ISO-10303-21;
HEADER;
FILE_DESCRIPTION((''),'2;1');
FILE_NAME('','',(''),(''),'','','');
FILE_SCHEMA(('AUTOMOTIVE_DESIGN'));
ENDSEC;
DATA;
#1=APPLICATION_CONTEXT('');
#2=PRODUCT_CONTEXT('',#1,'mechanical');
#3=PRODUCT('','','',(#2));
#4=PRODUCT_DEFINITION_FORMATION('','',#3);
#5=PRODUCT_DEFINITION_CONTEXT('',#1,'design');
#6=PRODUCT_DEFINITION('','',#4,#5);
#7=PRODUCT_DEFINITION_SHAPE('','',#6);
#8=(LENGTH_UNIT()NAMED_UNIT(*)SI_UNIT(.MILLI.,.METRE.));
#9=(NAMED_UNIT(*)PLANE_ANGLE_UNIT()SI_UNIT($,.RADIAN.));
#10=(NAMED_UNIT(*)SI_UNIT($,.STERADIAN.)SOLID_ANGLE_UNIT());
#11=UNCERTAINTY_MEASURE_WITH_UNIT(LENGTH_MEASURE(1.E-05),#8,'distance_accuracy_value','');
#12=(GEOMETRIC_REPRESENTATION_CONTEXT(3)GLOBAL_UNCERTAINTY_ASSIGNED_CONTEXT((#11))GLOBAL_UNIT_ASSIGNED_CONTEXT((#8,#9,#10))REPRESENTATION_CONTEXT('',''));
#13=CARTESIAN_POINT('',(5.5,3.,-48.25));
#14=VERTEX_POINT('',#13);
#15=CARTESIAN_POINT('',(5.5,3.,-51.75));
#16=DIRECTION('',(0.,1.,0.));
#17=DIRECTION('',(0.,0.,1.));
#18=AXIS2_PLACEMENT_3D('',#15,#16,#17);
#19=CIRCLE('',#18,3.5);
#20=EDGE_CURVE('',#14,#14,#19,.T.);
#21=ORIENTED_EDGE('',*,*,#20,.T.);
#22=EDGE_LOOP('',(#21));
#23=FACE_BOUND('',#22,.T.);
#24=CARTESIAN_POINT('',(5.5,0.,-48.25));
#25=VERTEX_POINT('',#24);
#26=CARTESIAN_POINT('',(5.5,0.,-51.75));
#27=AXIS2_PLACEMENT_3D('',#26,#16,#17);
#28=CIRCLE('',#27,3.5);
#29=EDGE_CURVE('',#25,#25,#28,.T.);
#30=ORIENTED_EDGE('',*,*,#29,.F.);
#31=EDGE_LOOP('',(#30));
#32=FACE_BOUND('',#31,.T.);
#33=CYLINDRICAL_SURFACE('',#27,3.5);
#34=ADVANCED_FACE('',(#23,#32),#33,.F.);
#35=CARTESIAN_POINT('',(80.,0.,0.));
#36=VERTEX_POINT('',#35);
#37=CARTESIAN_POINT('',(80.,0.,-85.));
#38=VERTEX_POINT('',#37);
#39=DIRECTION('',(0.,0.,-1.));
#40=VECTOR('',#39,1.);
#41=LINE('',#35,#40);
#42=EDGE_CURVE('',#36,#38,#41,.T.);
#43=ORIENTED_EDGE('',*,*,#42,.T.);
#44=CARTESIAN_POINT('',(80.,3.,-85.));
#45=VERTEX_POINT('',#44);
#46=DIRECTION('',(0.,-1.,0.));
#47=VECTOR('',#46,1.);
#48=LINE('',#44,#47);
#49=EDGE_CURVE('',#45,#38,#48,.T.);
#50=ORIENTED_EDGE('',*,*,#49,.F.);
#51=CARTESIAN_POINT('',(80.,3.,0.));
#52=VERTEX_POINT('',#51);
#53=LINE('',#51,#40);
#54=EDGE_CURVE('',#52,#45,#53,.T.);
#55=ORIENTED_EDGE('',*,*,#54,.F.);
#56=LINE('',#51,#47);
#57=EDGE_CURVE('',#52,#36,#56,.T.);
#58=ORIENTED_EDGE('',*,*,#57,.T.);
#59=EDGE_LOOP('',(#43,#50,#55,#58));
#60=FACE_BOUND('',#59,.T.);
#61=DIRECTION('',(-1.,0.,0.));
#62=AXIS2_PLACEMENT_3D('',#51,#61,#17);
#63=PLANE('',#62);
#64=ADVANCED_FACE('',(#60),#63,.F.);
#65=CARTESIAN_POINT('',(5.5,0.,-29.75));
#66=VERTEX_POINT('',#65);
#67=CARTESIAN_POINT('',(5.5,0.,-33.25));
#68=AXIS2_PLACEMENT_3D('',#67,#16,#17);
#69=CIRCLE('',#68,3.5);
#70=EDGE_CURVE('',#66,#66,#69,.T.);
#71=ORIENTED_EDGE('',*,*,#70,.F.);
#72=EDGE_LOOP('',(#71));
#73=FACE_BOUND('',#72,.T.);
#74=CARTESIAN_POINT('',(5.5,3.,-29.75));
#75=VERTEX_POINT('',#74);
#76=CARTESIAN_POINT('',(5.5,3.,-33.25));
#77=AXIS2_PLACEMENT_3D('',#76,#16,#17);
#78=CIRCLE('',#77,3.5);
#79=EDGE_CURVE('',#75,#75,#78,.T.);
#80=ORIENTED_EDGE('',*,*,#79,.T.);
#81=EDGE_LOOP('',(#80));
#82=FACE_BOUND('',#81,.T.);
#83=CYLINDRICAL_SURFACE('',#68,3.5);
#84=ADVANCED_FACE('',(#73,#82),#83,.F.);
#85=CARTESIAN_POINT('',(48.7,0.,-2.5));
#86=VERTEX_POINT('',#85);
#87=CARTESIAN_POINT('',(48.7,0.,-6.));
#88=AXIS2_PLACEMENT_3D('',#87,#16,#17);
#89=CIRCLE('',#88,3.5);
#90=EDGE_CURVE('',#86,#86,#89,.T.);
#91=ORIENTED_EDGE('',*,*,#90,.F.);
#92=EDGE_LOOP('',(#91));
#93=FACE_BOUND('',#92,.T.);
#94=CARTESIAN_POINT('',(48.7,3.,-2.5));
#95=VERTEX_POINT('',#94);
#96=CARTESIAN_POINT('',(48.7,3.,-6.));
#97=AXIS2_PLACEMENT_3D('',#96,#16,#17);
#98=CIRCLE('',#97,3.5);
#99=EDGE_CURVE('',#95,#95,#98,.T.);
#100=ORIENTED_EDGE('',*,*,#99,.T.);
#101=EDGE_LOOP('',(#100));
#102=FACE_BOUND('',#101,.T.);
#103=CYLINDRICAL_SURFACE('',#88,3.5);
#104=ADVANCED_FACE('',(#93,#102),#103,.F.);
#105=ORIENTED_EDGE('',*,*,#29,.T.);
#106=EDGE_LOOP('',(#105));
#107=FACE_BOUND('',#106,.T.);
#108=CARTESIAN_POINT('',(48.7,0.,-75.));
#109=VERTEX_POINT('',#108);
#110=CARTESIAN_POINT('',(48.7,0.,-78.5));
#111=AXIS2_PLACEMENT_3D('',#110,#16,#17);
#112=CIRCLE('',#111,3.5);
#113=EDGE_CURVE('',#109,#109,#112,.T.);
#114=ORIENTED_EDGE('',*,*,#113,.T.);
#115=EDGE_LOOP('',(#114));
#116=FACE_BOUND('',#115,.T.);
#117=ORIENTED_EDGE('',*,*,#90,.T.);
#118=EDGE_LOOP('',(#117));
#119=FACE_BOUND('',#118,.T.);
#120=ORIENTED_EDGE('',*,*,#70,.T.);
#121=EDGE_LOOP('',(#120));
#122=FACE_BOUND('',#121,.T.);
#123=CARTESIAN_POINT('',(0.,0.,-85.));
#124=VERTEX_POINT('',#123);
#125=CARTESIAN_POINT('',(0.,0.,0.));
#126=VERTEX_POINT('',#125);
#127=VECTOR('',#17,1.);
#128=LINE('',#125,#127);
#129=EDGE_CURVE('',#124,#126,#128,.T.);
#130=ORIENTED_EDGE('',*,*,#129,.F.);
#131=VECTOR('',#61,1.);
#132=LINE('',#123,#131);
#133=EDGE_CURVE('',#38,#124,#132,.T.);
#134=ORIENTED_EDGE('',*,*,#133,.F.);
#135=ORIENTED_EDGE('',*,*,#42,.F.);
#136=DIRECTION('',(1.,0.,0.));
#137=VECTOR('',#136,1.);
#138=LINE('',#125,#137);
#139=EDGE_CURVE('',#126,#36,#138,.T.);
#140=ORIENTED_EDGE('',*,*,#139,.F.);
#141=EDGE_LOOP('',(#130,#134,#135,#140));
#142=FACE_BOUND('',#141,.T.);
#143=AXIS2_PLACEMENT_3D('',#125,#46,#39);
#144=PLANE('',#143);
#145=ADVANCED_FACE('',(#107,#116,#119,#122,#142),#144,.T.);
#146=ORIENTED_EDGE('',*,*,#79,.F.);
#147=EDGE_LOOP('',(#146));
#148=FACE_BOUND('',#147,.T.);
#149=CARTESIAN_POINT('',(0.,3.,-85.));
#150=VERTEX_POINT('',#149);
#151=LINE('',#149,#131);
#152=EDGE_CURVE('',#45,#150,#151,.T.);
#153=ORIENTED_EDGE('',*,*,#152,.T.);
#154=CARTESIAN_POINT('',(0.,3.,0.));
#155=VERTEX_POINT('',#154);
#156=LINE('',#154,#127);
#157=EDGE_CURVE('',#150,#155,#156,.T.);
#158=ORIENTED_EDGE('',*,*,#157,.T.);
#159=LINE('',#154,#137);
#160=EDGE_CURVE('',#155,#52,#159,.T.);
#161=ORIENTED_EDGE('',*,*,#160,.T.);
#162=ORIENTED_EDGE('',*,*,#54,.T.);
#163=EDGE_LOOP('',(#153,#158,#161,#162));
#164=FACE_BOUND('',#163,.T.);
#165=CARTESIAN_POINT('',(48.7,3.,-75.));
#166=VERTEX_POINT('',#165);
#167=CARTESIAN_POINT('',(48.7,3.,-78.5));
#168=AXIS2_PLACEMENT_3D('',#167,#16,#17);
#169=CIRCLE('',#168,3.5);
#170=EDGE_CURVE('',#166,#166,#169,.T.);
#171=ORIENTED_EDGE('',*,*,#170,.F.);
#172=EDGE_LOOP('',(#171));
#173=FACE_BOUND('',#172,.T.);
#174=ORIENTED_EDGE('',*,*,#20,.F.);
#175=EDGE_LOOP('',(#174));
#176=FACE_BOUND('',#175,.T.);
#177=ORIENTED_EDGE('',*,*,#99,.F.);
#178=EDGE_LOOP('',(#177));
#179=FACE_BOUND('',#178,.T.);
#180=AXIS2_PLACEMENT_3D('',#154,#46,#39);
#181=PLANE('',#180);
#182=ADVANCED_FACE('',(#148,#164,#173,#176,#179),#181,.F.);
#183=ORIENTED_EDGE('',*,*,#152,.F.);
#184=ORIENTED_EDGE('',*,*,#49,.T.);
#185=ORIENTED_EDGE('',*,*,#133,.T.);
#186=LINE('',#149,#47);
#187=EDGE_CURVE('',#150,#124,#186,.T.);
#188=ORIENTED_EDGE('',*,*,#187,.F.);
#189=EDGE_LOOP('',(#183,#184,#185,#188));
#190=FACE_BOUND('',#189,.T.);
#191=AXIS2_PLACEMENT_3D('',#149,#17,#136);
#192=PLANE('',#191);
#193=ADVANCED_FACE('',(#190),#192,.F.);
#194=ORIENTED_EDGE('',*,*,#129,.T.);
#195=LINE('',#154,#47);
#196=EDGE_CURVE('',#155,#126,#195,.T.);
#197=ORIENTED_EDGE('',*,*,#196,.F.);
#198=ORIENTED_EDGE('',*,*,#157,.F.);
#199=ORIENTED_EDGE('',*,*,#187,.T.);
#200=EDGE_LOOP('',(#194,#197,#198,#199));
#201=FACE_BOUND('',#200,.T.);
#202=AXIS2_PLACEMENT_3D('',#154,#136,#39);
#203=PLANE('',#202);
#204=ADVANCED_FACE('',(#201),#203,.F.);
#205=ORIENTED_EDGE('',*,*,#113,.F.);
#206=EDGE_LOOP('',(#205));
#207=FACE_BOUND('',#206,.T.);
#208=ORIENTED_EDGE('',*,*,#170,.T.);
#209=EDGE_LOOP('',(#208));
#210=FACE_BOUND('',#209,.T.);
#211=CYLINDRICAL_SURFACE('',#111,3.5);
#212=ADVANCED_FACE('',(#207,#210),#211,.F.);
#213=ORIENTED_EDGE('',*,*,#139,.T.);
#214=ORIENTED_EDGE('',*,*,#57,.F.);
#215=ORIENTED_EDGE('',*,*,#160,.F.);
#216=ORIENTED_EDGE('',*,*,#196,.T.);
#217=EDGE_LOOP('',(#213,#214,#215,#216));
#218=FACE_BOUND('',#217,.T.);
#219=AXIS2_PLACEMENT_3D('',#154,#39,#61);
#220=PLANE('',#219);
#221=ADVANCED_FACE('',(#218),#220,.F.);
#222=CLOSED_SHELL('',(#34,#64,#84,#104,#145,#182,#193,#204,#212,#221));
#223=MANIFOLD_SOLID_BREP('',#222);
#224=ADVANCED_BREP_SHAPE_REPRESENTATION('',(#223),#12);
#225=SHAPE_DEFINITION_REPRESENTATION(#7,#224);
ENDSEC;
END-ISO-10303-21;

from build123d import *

# Parameters (mm, degrees)
SKETCH1_W           = 80
SKETCH1_H           = 85
BOSS_EXTRUDE1_DEPTH = 3
SKETCH2_R           = 3.5
CUT_EXTRUDE1_DEPTH  = 4


with BuildPart() as part:
    # Sketch1 → Boss-Extrude1 (new body)
    with BuildSketch(Plane(origin=(0, 0, 0), x_dir=(1, 0, 0), z_dir=(0, 1, 0))):
        with Locations((40, 42.5)):
            Rectangle(SKETCH1_W, SKETCH1_H)
    extrude(amount=BOSS_EXTRUDE1_DEPTH)

    # Sketch2 → Cut-Extrude1 (cut, through all)
    with BuildSketch(Plane(origin=(0, 3, 0), x_dir=(1, 0, 0), z_dir=(0, 1, 0))):
        with Locations((5.5, 33.25)):
            Circle(SKETCH2_R)
        with Locations((5.5, 51.75)):
            Circle(SKETCH2_R)
        with Locations((48.7, 78.5)):
            Circle(SKETCH2_R)
        with Locations((48.7, 6)):
            Circle(SKETCH2_R)
    extrude(amount=-CUT_EXTRUDE1_DEPTH, mode=Mode.SUBTRACT)


solid = part.part
